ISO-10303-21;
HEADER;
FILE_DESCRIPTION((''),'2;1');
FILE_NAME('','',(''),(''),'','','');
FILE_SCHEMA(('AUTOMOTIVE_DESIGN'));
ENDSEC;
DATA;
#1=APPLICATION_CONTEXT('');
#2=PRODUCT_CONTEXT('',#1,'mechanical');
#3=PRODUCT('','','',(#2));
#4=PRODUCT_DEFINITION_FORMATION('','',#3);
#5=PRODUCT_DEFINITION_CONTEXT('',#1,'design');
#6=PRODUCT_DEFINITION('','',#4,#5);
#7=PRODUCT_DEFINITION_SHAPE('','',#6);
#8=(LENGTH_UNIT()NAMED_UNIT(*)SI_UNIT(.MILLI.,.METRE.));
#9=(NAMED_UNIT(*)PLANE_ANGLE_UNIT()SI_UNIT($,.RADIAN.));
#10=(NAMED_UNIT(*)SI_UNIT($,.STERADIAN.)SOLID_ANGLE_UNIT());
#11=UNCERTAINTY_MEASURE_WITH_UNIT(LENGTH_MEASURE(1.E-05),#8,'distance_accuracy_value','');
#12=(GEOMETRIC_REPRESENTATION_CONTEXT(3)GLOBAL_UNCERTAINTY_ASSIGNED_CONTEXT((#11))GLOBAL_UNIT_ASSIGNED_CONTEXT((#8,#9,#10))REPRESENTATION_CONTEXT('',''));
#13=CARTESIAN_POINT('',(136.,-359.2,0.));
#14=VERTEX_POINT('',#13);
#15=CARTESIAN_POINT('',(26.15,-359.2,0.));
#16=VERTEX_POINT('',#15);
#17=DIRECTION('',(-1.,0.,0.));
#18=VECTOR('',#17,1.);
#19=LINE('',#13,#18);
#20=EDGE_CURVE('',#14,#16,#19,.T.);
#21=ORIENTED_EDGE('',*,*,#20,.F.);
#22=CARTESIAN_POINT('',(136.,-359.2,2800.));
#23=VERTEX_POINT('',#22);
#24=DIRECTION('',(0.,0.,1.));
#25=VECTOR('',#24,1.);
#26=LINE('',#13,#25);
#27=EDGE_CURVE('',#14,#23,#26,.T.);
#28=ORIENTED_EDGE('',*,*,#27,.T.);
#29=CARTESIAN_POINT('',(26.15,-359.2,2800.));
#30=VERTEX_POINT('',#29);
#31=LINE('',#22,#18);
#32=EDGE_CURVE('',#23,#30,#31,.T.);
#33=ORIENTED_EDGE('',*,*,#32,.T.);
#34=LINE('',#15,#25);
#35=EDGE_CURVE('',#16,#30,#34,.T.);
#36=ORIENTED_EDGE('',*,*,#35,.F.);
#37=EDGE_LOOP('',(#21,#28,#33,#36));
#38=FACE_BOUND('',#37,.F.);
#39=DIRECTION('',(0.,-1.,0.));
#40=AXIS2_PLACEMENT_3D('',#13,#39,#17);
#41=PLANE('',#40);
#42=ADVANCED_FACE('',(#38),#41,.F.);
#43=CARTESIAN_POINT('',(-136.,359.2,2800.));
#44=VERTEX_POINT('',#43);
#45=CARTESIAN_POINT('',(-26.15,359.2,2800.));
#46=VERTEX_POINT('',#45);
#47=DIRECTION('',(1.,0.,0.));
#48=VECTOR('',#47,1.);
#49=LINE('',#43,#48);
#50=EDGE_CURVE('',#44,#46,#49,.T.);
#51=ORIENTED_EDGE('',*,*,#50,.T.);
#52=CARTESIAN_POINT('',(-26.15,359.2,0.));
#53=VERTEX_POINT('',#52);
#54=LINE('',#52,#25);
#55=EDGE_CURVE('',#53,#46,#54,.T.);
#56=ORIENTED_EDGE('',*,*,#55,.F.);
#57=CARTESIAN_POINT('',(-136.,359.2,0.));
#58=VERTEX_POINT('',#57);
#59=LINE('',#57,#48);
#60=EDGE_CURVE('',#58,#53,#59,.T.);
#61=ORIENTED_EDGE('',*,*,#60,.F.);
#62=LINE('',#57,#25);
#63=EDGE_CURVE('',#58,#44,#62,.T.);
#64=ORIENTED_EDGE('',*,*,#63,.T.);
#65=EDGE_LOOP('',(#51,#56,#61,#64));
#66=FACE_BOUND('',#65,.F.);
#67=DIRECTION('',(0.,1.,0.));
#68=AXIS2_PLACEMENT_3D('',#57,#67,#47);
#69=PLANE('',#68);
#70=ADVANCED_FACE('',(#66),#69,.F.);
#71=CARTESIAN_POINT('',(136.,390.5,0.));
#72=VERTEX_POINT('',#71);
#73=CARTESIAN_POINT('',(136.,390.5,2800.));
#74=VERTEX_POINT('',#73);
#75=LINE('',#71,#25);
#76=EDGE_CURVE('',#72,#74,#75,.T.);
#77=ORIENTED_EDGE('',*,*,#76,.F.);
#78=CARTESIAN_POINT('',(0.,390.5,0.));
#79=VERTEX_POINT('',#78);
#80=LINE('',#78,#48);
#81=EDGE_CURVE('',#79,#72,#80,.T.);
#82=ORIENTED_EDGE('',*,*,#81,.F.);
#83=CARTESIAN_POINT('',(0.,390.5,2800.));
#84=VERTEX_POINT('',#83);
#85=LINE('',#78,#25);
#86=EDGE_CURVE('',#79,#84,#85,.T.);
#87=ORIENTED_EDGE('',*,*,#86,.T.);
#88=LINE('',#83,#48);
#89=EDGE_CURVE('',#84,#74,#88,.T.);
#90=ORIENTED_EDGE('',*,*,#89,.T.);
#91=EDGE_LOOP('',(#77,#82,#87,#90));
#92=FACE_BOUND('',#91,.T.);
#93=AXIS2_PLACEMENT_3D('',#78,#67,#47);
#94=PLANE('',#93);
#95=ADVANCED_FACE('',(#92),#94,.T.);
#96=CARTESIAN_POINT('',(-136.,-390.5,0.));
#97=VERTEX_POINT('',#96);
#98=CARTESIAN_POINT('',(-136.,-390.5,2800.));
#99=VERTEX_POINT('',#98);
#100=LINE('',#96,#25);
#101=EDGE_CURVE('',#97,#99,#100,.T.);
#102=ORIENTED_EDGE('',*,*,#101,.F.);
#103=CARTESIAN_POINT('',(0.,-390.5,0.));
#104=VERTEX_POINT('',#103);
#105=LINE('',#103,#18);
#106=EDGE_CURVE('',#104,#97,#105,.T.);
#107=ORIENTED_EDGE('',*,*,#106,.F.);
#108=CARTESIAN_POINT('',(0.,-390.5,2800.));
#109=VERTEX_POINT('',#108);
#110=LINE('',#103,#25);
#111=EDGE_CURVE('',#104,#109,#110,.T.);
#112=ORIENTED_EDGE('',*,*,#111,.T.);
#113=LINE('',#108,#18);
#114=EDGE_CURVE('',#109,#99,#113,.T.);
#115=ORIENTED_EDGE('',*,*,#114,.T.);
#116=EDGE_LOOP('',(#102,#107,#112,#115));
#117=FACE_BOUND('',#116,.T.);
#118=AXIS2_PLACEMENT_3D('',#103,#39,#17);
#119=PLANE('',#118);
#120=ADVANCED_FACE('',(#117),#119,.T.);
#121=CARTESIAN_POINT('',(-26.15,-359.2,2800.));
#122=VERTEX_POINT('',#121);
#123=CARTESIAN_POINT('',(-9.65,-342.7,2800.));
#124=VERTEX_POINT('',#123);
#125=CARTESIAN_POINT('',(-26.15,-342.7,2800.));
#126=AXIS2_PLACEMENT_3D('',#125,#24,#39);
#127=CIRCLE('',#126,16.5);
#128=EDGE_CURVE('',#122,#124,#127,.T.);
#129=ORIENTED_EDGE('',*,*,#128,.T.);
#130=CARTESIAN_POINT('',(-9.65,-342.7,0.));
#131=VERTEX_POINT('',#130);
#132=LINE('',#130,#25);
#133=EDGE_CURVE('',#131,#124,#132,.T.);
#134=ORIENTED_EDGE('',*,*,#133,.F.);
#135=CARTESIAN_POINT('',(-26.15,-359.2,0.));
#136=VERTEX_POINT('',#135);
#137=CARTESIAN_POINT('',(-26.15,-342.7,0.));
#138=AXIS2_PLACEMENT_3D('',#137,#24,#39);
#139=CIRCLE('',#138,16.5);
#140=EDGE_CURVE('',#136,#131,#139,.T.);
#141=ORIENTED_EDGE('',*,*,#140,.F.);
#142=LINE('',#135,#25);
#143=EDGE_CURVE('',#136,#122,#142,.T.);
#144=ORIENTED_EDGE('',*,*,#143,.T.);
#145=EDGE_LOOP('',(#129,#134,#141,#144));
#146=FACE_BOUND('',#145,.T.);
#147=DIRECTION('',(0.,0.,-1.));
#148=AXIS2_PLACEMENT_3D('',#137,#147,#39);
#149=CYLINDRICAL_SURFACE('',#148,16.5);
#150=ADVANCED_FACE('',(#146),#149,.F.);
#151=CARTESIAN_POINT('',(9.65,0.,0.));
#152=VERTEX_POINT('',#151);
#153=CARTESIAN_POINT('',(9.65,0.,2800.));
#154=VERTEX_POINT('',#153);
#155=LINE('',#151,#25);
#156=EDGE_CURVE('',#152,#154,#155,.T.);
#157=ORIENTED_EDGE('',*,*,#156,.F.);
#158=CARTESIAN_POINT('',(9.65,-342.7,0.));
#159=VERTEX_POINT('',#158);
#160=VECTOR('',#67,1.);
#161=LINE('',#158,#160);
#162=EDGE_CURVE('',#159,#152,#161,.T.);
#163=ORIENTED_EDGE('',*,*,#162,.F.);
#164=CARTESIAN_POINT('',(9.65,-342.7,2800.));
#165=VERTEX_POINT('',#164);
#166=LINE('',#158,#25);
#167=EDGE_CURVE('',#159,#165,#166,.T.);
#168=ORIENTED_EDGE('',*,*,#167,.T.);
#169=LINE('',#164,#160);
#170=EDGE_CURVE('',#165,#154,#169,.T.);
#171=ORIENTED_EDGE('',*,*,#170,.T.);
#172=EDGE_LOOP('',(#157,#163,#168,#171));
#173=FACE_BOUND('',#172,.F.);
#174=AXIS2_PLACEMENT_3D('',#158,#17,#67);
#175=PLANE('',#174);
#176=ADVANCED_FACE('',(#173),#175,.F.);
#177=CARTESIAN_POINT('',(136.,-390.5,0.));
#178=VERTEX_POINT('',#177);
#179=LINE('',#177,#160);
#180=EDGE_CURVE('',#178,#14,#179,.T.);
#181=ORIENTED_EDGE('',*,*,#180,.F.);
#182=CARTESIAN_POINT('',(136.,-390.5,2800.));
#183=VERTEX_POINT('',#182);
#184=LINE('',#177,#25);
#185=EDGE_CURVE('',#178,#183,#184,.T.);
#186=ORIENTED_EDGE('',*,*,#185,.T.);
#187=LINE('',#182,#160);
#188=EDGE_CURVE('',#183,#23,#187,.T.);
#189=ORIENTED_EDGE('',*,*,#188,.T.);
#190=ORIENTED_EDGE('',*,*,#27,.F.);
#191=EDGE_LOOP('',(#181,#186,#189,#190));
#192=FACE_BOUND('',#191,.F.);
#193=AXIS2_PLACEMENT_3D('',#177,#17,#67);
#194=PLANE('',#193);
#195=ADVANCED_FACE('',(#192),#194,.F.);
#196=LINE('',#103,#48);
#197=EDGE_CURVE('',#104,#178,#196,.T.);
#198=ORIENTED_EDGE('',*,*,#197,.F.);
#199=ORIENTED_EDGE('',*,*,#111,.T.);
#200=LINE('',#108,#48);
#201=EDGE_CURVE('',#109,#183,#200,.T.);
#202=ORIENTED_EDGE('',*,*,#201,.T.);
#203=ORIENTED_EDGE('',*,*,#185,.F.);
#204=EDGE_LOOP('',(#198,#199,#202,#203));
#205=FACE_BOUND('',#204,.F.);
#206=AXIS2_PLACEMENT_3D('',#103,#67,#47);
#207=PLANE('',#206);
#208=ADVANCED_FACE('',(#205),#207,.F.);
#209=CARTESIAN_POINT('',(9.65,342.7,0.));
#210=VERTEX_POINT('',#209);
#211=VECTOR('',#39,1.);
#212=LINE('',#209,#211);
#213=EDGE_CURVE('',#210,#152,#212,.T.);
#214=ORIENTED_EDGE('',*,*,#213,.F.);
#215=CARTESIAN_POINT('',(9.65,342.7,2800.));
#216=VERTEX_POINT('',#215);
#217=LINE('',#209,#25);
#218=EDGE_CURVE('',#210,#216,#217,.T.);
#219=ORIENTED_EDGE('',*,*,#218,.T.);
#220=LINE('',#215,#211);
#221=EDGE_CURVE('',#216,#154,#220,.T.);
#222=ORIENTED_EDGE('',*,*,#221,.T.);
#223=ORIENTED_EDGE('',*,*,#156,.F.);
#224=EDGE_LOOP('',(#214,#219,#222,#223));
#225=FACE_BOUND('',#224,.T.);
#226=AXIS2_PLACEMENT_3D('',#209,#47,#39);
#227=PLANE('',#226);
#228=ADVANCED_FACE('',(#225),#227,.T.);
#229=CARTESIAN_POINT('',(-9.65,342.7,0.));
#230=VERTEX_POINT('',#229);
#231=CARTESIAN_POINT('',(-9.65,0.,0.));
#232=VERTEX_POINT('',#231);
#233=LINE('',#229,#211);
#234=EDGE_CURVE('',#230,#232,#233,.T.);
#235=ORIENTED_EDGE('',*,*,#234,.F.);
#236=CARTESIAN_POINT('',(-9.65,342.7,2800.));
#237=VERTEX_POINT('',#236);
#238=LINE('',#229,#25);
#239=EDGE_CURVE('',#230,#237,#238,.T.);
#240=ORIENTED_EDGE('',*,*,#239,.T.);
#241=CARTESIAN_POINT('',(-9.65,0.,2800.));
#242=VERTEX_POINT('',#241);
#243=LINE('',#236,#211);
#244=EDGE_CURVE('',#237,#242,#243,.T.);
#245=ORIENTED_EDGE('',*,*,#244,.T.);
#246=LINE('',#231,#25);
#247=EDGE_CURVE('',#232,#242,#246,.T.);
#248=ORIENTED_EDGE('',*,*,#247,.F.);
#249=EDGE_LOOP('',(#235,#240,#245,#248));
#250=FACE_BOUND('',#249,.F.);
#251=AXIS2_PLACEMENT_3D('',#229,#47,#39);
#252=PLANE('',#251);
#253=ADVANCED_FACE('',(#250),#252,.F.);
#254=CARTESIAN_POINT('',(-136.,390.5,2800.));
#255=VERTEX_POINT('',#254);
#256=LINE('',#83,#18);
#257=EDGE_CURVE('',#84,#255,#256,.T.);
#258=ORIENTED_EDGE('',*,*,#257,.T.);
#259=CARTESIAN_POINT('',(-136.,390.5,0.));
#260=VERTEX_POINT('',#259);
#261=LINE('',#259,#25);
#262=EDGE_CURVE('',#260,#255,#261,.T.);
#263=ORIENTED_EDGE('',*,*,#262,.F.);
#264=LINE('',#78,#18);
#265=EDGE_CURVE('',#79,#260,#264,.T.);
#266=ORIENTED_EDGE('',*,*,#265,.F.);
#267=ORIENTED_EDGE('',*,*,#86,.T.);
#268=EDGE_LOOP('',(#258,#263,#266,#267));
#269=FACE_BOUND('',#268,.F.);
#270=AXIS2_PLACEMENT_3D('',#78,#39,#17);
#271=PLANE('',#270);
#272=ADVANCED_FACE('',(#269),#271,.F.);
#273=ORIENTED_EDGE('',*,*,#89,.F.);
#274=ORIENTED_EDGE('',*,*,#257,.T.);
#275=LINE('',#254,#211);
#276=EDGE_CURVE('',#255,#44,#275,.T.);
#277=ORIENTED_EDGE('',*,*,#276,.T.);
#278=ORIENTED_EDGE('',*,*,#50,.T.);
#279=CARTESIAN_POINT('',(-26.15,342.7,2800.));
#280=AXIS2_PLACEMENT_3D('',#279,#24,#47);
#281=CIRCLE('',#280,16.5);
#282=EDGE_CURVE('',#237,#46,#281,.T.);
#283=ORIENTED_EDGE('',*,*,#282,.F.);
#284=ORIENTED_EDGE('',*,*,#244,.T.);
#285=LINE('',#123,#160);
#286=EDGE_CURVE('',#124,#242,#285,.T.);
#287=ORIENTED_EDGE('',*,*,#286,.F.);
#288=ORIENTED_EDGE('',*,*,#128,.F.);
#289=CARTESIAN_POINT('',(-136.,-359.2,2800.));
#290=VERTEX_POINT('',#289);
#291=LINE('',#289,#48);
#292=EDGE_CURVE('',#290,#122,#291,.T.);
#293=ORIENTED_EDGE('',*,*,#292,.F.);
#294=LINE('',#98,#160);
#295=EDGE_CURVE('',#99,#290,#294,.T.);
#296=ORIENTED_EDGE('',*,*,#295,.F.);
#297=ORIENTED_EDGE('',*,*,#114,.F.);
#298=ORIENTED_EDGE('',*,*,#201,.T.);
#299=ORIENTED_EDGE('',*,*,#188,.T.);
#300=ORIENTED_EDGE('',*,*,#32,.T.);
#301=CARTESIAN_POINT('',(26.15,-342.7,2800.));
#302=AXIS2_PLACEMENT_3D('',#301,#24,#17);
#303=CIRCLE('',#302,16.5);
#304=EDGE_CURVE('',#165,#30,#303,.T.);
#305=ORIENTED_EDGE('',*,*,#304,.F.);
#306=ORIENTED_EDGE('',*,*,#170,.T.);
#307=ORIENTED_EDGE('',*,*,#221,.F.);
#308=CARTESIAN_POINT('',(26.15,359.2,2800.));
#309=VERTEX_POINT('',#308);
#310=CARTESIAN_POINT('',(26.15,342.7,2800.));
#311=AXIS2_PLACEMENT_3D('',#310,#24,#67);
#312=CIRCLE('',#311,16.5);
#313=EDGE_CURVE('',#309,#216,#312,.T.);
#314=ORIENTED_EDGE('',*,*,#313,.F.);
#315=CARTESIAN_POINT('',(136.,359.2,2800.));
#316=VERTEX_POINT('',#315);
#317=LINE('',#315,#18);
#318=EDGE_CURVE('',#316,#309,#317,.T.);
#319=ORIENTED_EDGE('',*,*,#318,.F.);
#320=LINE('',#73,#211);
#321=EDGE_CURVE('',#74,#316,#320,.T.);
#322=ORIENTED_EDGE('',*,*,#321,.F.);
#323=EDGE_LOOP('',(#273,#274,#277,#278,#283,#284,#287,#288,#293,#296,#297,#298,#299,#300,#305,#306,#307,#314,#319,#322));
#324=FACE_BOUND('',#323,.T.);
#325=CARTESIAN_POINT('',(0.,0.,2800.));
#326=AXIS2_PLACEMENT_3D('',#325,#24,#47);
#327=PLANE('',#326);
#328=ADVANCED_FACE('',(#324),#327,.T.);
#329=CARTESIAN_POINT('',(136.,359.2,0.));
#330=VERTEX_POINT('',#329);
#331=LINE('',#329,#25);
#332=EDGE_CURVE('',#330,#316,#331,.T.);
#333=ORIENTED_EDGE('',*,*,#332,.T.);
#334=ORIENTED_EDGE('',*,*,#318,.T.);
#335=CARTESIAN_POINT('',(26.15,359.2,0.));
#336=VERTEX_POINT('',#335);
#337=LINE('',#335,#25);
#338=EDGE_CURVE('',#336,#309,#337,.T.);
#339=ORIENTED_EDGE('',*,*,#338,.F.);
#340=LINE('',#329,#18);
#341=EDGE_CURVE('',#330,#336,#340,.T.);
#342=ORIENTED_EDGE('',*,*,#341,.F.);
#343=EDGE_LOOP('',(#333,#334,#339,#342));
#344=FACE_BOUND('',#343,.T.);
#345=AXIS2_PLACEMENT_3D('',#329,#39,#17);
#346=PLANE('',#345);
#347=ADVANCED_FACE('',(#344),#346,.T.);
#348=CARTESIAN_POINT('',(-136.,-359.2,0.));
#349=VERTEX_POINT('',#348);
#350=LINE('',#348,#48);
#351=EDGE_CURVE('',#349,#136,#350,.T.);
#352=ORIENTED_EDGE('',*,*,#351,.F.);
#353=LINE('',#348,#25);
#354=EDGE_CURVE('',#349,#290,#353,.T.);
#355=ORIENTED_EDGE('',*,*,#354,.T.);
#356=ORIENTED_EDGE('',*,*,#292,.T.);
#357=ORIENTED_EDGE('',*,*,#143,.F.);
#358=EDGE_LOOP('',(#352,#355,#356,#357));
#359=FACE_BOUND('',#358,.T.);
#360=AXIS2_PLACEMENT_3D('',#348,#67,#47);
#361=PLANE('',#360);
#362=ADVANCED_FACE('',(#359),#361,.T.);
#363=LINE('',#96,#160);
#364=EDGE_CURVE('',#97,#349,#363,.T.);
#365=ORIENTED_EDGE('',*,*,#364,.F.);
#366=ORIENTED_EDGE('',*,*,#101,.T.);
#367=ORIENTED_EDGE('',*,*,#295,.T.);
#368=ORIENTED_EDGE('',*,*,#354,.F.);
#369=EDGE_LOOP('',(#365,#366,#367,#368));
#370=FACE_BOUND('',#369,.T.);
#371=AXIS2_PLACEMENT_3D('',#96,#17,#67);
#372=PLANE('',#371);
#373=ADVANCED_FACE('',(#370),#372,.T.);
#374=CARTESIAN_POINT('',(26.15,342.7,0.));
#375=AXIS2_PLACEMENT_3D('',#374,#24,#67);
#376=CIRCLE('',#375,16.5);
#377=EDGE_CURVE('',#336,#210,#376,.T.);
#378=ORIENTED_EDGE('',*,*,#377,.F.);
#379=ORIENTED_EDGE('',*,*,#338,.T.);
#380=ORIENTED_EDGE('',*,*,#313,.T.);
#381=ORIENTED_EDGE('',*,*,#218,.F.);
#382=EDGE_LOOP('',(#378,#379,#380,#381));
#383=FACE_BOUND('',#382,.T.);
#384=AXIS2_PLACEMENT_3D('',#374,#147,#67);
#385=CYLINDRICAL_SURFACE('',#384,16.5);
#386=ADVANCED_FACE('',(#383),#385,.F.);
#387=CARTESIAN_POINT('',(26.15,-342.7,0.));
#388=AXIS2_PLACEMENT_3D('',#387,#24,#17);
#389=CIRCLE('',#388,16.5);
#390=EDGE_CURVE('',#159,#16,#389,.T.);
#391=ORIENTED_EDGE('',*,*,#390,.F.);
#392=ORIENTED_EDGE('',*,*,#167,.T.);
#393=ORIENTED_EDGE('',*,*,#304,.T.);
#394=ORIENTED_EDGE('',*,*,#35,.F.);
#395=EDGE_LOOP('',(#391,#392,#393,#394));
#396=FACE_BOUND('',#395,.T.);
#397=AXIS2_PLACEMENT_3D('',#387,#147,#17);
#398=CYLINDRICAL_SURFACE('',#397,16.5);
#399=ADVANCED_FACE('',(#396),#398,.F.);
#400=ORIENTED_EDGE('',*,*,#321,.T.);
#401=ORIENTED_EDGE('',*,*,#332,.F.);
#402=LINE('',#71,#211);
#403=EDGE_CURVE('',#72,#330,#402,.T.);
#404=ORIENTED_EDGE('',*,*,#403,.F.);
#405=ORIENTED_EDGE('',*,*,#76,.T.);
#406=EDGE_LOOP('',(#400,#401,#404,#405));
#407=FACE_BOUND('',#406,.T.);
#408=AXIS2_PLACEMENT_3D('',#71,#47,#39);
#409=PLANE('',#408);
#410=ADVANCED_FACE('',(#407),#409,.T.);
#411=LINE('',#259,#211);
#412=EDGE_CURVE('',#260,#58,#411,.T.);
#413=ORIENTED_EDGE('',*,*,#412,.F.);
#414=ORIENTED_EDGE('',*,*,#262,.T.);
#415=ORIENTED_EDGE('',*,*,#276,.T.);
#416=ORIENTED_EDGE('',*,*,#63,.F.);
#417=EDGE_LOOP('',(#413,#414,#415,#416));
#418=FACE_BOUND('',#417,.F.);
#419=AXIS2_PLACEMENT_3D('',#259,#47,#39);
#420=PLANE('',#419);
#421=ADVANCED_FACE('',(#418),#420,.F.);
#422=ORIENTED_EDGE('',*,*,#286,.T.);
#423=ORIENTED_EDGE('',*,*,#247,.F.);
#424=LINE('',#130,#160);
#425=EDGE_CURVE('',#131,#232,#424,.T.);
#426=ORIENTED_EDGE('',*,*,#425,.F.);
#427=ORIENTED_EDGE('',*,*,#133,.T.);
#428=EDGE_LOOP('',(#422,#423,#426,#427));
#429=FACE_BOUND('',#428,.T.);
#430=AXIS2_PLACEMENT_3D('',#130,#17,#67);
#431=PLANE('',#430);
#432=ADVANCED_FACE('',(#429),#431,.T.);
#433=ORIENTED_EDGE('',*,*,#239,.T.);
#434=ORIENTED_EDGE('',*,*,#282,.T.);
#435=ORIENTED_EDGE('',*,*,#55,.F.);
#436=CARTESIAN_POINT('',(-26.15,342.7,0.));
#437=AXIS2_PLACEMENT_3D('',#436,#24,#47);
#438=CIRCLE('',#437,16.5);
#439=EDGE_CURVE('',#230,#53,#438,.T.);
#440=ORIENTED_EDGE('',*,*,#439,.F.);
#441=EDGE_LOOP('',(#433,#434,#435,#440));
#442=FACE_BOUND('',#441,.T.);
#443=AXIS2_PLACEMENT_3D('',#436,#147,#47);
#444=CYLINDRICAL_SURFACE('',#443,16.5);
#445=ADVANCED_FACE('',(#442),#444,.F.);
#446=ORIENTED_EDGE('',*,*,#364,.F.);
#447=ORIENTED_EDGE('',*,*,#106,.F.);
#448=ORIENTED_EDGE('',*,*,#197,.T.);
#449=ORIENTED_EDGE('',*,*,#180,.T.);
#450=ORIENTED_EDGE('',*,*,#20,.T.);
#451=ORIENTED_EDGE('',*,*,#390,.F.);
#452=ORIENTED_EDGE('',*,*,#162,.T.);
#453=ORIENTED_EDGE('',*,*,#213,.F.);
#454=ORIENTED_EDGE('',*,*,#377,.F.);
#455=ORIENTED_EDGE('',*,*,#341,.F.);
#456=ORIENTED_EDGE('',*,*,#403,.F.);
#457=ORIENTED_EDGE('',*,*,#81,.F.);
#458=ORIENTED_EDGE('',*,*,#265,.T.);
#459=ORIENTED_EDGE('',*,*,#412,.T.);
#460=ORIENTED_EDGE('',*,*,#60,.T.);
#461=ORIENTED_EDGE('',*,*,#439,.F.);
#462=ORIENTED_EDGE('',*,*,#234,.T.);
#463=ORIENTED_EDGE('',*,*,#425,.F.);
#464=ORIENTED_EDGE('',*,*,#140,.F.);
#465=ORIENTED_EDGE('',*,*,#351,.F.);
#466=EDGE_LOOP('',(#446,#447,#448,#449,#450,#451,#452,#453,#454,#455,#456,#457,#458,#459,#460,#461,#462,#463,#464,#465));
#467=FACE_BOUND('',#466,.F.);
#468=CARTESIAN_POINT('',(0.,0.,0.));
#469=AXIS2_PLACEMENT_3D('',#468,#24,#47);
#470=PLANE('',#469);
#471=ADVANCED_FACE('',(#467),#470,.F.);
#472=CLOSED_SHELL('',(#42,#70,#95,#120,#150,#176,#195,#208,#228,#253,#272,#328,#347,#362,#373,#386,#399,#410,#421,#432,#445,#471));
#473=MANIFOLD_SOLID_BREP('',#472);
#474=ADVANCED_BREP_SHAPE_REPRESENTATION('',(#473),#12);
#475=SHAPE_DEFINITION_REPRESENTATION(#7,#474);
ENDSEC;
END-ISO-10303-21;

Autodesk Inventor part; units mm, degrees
ref_plane "YZ Plane" through (0, 0, 0) normal (1, 0, 0) x (0, 1, 0)
ref_plane "Start plane" through (0, 0, 0) normal (0, 0, 1) x (1, 0, 0)
ref_plane "End plane" through (0, 0, 2800) normal (0, 0, 1) x (1, 0, 0)
sketch "Sketch" plane through (0, 0, 0) normal (0, 0, 1) x (1, 0, 0)
  line L0 (-136, -390.5) -> (-136, -359.2)
  line L1 (-136, -359.2) -> (-26.15, -359.2)
  line L2 (-9.65, -342.7) -> (-9.65, 0)
  line L3 (-9.65, 0) -> (0, 0) construction
  line L4 (0, 0) -> (0, -390.5) construction
  line L5 (0, -390.5) -> (-136, -390.5)
  line L6 (-60, 0) -> (80, 0) construction
  line L7 (0, -60) -> (0, 80) construction
  line L8 (136, -390.5) -> (136, -359.2)
  line L9 (136, -359.2) -> (26.15, -359.2)
  line L10 (9.65, -342.7) -> (9.65, 0)
  line L11 (9.65, 0) -> (0, 0) construction
  line L12 (0, -390.5) -> (136, -390.5)
  line L13 (-136, 390.5) -> (-136, 359.2)
  line L14 (-136, 359.2) -> (-26.15, 359.2)
  line L15 (-9.65, 342.7) -> (-9.65, 0)
  line L16 (0, 390.5) -> (-136, 390.5)
  line L17 (136, 390.5) -> (136, 359.2)
  line L18 (136, 359.2) -> (26.15, 359.2)
  line L19 (0, 390.5) -> (136, 390.5)
  line L20 (9.65, 342.7) -> (9.65, 0)
  arc A0 (-9.65, 342.7) -> (-26.15, 359.2) centre (-26.15, 342.7) ccw
  arc A1 (26.15, 359.2) -> (9.65, 342.7) centre (26.15, 342.7) ccw
  arc A2 (9.65, -342.7) -> (26.15, -359.2) centre (26.15, -342.7) ccw
  arc A3 (-26.15, -359.2) -> (-9.65, -342.7) centre (-26.15, -342.7) ccw
  line L21 (0, 108) -> (0, -88) construction
  line L22 (-88, 0) -> (108, 0) construction
  point P0 (-9.65, -359.2)
  point P1 (9.65, -359.2)
  point P2 (-9.65, 359.2)
  point P3 (9.65, 359.2)
  dimension "d1" = 390.5
  dimension "d2" = 31.3
  dimension "d3" = 136
  dimension "d4" = 9.65
  dimension "d10" = 16.5
extrude "Body" add sketch "Sketch" along normal up to surface (2800 mm away) from surface at 0
sketch "Sketch4" plane through (0, 0, 0) normal (0, 0, 1) x (1, 0, 0)
  line L0 (0, 0) -> (10, 0)
ref_plane "Work Plane3" through (0, 0, 0) normal (0, -1, 0) x (1, 0, 0)
sketch "Sketch5" plane through (0, 0, 0) normal (0, -1, 0) x (1, 0, 0)
  line L0 (-2, 0) -> (12, 0) projected
  line L1 (-2, 2800) -> (12, 2800) projected
  dimension "d14" = 2800
equation "\"d1\" = 0.5 * G_H"
equation "\"d2\" = G_T1"
equation "\"d3\" = 0.5 * G_W"
equation "\"d4\" = 0.5 * G_T"
equation "\"d10\" = G_IR"
equation "\"d5\" = G_L"
equation "\"G_W\" = 272"
equation "\"G_H\" = 781"
equation "\"G_T\" = 19.3"
equation "\"G_T1\" = 31.3"
equation "\"G_IR\" = 16.5"
equation "\"G_L\" = d14"
equation "\"G_OFFSET_START\" = 0"
equation "\"G_OFFSET_END\" = 0"
properties part number "AS 3679-1990 - 760 UB - 244 - 2800" material "Steel, Mild"
